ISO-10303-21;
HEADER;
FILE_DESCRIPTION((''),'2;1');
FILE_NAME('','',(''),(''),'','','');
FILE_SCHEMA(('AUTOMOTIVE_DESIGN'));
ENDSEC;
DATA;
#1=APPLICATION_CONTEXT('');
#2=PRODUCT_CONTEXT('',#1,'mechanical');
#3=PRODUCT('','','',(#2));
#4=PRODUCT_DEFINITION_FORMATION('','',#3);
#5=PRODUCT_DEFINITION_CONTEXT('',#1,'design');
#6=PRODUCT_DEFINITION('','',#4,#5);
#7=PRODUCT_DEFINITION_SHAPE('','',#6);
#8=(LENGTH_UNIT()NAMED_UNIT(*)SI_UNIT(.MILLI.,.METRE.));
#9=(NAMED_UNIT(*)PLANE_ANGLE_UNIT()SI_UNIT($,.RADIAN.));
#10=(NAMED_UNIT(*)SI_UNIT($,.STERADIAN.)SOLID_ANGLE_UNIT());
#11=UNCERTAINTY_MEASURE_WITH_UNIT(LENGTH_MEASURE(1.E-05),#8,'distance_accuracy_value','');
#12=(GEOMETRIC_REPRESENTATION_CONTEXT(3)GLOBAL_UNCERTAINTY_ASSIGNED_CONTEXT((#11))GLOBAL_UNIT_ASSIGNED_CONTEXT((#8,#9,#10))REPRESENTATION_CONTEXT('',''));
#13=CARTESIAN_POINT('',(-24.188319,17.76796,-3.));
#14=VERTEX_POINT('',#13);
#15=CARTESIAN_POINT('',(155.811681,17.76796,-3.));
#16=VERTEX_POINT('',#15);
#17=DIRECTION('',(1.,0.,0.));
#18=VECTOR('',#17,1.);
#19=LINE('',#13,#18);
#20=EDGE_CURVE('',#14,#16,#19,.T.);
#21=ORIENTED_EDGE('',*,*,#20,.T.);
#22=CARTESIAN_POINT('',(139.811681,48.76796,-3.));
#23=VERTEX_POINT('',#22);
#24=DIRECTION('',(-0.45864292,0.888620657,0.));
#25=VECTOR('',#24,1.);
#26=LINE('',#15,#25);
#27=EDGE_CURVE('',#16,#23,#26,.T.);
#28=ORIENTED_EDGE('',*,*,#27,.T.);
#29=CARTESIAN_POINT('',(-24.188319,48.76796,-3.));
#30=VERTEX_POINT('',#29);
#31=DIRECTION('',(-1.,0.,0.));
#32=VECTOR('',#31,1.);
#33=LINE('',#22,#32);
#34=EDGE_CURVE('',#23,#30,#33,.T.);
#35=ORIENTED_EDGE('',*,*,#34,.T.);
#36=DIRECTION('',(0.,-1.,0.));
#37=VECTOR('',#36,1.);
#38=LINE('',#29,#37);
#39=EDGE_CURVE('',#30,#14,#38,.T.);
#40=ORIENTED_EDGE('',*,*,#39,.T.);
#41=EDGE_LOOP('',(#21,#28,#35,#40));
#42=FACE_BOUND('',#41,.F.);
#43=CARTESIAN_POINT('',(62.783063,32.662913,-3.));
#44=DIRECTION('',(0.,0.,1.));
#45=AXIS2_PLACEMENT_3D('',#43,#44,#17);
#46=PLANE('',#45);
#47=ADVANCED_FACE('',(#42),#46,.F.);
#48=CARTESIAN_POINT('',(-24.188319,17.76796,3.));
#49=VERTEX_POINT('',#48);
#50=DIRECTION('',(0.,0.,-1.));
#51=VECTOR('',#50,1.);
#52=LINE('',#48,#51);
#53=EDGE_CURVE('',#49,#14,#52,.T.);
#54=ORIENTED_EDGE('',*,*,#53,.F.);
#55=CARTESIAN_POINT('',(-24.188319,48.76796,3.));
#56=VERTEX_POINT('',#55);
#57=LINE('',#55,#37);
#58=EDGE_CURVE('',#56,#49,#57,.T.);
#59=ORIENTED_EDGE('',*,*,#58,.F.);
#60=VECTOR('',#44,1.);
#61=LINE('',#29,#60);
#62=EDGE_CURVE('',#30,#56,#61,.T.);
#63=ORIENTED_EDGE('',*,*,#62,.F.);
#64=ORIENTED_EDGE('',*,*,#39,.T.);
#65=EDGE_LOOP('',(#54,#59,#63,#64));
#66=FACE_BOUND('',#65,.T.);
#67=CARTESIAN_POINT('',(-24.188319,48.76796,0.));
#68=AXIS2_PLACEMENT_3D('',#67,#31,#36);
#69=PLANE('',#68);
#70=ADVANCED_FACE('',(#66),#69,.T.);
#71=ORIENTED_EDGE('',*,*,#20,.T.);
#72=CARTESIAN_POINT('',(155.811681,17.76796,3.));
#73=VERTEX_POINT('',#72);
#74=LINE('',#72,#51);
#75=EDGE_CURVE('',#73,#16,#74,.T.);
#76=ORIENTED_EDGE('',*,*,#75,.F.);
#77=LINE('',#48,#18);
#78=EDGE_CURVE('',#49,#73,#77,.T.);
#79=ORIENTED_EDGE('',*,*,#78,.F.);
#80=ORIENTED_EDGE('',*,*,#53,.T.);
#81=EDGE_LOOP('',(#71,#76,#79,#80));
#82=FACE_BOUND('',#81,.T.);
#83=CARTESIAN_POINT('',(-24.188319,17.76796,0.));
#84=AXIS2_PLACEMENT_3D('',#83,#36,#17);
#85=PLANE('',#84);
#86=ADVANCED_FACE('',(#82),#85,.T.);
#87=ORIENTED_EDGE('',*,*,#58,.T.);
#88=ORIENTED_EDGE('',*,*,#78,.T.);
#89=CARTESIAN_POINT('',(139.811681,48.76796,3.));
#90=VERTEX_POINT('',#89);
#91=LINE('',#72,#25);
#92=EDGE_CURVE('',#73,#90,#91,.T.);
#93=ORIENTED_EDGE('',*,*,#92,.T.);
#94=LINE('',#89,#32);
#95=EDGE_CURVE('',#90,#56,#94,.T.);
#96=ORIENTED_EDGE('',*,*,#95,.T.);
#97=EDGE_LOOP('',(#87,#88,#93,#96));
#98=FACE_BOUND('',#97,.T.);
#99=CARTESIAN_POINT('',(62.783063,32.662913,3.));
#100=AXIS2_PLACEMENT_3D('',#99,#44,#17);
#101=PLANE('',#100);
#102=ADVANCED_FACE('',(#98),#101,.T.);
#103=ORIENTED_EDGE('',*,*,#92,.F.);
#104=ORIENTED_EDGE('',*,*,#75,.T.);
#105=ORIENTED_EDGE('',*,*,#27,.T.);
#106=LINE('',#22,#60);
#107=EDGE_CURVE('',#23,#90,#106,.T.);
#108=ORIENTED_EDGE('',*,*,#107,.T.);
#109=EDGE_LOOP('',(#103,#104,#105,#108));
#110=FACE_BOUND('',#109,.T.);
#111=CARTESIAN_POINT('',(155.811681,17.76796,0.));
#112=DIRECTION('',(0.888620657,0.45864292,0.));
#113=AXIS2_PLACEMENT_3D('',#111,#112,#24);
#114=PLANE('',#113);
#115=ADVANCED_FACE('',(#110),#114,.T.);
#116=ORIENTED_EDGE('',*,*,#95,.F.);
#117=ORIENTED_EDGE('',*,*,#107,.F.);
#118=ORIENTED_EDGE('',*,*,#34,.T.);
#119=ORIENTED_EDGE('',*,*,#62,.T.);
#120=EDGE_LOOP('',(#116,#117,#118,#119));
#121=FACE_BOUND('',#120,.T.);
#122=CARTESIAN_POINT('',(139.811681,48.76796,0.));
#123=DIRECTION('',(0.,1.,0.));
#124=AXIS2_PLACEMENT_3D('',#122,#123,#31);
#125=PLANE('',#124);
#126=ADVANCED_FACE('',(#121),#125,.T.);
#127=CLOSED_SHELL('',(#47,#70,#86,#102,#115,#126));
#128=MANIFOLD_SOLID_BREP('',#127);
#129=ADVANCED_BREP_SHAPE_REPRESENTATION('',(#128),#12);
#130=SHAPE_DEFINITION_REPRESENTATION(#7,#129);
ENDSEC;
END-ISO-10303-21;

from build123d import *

# Parameters (mm, degrees)
F1_DEPTH = 3


with BuildPart() as f1:
    # F0 (on Top) → F1 (new body, symmetric)
    with BuildSketch(Plane.XY):
        Polygon((155.811681, 17.76796), (139.811681, 48.76796), (-24.188319, 48.76796), (-24.188319, 17.76796), align=None)
    extrude(amount=F1_DEPTH, both=True)


solid = f1.part
